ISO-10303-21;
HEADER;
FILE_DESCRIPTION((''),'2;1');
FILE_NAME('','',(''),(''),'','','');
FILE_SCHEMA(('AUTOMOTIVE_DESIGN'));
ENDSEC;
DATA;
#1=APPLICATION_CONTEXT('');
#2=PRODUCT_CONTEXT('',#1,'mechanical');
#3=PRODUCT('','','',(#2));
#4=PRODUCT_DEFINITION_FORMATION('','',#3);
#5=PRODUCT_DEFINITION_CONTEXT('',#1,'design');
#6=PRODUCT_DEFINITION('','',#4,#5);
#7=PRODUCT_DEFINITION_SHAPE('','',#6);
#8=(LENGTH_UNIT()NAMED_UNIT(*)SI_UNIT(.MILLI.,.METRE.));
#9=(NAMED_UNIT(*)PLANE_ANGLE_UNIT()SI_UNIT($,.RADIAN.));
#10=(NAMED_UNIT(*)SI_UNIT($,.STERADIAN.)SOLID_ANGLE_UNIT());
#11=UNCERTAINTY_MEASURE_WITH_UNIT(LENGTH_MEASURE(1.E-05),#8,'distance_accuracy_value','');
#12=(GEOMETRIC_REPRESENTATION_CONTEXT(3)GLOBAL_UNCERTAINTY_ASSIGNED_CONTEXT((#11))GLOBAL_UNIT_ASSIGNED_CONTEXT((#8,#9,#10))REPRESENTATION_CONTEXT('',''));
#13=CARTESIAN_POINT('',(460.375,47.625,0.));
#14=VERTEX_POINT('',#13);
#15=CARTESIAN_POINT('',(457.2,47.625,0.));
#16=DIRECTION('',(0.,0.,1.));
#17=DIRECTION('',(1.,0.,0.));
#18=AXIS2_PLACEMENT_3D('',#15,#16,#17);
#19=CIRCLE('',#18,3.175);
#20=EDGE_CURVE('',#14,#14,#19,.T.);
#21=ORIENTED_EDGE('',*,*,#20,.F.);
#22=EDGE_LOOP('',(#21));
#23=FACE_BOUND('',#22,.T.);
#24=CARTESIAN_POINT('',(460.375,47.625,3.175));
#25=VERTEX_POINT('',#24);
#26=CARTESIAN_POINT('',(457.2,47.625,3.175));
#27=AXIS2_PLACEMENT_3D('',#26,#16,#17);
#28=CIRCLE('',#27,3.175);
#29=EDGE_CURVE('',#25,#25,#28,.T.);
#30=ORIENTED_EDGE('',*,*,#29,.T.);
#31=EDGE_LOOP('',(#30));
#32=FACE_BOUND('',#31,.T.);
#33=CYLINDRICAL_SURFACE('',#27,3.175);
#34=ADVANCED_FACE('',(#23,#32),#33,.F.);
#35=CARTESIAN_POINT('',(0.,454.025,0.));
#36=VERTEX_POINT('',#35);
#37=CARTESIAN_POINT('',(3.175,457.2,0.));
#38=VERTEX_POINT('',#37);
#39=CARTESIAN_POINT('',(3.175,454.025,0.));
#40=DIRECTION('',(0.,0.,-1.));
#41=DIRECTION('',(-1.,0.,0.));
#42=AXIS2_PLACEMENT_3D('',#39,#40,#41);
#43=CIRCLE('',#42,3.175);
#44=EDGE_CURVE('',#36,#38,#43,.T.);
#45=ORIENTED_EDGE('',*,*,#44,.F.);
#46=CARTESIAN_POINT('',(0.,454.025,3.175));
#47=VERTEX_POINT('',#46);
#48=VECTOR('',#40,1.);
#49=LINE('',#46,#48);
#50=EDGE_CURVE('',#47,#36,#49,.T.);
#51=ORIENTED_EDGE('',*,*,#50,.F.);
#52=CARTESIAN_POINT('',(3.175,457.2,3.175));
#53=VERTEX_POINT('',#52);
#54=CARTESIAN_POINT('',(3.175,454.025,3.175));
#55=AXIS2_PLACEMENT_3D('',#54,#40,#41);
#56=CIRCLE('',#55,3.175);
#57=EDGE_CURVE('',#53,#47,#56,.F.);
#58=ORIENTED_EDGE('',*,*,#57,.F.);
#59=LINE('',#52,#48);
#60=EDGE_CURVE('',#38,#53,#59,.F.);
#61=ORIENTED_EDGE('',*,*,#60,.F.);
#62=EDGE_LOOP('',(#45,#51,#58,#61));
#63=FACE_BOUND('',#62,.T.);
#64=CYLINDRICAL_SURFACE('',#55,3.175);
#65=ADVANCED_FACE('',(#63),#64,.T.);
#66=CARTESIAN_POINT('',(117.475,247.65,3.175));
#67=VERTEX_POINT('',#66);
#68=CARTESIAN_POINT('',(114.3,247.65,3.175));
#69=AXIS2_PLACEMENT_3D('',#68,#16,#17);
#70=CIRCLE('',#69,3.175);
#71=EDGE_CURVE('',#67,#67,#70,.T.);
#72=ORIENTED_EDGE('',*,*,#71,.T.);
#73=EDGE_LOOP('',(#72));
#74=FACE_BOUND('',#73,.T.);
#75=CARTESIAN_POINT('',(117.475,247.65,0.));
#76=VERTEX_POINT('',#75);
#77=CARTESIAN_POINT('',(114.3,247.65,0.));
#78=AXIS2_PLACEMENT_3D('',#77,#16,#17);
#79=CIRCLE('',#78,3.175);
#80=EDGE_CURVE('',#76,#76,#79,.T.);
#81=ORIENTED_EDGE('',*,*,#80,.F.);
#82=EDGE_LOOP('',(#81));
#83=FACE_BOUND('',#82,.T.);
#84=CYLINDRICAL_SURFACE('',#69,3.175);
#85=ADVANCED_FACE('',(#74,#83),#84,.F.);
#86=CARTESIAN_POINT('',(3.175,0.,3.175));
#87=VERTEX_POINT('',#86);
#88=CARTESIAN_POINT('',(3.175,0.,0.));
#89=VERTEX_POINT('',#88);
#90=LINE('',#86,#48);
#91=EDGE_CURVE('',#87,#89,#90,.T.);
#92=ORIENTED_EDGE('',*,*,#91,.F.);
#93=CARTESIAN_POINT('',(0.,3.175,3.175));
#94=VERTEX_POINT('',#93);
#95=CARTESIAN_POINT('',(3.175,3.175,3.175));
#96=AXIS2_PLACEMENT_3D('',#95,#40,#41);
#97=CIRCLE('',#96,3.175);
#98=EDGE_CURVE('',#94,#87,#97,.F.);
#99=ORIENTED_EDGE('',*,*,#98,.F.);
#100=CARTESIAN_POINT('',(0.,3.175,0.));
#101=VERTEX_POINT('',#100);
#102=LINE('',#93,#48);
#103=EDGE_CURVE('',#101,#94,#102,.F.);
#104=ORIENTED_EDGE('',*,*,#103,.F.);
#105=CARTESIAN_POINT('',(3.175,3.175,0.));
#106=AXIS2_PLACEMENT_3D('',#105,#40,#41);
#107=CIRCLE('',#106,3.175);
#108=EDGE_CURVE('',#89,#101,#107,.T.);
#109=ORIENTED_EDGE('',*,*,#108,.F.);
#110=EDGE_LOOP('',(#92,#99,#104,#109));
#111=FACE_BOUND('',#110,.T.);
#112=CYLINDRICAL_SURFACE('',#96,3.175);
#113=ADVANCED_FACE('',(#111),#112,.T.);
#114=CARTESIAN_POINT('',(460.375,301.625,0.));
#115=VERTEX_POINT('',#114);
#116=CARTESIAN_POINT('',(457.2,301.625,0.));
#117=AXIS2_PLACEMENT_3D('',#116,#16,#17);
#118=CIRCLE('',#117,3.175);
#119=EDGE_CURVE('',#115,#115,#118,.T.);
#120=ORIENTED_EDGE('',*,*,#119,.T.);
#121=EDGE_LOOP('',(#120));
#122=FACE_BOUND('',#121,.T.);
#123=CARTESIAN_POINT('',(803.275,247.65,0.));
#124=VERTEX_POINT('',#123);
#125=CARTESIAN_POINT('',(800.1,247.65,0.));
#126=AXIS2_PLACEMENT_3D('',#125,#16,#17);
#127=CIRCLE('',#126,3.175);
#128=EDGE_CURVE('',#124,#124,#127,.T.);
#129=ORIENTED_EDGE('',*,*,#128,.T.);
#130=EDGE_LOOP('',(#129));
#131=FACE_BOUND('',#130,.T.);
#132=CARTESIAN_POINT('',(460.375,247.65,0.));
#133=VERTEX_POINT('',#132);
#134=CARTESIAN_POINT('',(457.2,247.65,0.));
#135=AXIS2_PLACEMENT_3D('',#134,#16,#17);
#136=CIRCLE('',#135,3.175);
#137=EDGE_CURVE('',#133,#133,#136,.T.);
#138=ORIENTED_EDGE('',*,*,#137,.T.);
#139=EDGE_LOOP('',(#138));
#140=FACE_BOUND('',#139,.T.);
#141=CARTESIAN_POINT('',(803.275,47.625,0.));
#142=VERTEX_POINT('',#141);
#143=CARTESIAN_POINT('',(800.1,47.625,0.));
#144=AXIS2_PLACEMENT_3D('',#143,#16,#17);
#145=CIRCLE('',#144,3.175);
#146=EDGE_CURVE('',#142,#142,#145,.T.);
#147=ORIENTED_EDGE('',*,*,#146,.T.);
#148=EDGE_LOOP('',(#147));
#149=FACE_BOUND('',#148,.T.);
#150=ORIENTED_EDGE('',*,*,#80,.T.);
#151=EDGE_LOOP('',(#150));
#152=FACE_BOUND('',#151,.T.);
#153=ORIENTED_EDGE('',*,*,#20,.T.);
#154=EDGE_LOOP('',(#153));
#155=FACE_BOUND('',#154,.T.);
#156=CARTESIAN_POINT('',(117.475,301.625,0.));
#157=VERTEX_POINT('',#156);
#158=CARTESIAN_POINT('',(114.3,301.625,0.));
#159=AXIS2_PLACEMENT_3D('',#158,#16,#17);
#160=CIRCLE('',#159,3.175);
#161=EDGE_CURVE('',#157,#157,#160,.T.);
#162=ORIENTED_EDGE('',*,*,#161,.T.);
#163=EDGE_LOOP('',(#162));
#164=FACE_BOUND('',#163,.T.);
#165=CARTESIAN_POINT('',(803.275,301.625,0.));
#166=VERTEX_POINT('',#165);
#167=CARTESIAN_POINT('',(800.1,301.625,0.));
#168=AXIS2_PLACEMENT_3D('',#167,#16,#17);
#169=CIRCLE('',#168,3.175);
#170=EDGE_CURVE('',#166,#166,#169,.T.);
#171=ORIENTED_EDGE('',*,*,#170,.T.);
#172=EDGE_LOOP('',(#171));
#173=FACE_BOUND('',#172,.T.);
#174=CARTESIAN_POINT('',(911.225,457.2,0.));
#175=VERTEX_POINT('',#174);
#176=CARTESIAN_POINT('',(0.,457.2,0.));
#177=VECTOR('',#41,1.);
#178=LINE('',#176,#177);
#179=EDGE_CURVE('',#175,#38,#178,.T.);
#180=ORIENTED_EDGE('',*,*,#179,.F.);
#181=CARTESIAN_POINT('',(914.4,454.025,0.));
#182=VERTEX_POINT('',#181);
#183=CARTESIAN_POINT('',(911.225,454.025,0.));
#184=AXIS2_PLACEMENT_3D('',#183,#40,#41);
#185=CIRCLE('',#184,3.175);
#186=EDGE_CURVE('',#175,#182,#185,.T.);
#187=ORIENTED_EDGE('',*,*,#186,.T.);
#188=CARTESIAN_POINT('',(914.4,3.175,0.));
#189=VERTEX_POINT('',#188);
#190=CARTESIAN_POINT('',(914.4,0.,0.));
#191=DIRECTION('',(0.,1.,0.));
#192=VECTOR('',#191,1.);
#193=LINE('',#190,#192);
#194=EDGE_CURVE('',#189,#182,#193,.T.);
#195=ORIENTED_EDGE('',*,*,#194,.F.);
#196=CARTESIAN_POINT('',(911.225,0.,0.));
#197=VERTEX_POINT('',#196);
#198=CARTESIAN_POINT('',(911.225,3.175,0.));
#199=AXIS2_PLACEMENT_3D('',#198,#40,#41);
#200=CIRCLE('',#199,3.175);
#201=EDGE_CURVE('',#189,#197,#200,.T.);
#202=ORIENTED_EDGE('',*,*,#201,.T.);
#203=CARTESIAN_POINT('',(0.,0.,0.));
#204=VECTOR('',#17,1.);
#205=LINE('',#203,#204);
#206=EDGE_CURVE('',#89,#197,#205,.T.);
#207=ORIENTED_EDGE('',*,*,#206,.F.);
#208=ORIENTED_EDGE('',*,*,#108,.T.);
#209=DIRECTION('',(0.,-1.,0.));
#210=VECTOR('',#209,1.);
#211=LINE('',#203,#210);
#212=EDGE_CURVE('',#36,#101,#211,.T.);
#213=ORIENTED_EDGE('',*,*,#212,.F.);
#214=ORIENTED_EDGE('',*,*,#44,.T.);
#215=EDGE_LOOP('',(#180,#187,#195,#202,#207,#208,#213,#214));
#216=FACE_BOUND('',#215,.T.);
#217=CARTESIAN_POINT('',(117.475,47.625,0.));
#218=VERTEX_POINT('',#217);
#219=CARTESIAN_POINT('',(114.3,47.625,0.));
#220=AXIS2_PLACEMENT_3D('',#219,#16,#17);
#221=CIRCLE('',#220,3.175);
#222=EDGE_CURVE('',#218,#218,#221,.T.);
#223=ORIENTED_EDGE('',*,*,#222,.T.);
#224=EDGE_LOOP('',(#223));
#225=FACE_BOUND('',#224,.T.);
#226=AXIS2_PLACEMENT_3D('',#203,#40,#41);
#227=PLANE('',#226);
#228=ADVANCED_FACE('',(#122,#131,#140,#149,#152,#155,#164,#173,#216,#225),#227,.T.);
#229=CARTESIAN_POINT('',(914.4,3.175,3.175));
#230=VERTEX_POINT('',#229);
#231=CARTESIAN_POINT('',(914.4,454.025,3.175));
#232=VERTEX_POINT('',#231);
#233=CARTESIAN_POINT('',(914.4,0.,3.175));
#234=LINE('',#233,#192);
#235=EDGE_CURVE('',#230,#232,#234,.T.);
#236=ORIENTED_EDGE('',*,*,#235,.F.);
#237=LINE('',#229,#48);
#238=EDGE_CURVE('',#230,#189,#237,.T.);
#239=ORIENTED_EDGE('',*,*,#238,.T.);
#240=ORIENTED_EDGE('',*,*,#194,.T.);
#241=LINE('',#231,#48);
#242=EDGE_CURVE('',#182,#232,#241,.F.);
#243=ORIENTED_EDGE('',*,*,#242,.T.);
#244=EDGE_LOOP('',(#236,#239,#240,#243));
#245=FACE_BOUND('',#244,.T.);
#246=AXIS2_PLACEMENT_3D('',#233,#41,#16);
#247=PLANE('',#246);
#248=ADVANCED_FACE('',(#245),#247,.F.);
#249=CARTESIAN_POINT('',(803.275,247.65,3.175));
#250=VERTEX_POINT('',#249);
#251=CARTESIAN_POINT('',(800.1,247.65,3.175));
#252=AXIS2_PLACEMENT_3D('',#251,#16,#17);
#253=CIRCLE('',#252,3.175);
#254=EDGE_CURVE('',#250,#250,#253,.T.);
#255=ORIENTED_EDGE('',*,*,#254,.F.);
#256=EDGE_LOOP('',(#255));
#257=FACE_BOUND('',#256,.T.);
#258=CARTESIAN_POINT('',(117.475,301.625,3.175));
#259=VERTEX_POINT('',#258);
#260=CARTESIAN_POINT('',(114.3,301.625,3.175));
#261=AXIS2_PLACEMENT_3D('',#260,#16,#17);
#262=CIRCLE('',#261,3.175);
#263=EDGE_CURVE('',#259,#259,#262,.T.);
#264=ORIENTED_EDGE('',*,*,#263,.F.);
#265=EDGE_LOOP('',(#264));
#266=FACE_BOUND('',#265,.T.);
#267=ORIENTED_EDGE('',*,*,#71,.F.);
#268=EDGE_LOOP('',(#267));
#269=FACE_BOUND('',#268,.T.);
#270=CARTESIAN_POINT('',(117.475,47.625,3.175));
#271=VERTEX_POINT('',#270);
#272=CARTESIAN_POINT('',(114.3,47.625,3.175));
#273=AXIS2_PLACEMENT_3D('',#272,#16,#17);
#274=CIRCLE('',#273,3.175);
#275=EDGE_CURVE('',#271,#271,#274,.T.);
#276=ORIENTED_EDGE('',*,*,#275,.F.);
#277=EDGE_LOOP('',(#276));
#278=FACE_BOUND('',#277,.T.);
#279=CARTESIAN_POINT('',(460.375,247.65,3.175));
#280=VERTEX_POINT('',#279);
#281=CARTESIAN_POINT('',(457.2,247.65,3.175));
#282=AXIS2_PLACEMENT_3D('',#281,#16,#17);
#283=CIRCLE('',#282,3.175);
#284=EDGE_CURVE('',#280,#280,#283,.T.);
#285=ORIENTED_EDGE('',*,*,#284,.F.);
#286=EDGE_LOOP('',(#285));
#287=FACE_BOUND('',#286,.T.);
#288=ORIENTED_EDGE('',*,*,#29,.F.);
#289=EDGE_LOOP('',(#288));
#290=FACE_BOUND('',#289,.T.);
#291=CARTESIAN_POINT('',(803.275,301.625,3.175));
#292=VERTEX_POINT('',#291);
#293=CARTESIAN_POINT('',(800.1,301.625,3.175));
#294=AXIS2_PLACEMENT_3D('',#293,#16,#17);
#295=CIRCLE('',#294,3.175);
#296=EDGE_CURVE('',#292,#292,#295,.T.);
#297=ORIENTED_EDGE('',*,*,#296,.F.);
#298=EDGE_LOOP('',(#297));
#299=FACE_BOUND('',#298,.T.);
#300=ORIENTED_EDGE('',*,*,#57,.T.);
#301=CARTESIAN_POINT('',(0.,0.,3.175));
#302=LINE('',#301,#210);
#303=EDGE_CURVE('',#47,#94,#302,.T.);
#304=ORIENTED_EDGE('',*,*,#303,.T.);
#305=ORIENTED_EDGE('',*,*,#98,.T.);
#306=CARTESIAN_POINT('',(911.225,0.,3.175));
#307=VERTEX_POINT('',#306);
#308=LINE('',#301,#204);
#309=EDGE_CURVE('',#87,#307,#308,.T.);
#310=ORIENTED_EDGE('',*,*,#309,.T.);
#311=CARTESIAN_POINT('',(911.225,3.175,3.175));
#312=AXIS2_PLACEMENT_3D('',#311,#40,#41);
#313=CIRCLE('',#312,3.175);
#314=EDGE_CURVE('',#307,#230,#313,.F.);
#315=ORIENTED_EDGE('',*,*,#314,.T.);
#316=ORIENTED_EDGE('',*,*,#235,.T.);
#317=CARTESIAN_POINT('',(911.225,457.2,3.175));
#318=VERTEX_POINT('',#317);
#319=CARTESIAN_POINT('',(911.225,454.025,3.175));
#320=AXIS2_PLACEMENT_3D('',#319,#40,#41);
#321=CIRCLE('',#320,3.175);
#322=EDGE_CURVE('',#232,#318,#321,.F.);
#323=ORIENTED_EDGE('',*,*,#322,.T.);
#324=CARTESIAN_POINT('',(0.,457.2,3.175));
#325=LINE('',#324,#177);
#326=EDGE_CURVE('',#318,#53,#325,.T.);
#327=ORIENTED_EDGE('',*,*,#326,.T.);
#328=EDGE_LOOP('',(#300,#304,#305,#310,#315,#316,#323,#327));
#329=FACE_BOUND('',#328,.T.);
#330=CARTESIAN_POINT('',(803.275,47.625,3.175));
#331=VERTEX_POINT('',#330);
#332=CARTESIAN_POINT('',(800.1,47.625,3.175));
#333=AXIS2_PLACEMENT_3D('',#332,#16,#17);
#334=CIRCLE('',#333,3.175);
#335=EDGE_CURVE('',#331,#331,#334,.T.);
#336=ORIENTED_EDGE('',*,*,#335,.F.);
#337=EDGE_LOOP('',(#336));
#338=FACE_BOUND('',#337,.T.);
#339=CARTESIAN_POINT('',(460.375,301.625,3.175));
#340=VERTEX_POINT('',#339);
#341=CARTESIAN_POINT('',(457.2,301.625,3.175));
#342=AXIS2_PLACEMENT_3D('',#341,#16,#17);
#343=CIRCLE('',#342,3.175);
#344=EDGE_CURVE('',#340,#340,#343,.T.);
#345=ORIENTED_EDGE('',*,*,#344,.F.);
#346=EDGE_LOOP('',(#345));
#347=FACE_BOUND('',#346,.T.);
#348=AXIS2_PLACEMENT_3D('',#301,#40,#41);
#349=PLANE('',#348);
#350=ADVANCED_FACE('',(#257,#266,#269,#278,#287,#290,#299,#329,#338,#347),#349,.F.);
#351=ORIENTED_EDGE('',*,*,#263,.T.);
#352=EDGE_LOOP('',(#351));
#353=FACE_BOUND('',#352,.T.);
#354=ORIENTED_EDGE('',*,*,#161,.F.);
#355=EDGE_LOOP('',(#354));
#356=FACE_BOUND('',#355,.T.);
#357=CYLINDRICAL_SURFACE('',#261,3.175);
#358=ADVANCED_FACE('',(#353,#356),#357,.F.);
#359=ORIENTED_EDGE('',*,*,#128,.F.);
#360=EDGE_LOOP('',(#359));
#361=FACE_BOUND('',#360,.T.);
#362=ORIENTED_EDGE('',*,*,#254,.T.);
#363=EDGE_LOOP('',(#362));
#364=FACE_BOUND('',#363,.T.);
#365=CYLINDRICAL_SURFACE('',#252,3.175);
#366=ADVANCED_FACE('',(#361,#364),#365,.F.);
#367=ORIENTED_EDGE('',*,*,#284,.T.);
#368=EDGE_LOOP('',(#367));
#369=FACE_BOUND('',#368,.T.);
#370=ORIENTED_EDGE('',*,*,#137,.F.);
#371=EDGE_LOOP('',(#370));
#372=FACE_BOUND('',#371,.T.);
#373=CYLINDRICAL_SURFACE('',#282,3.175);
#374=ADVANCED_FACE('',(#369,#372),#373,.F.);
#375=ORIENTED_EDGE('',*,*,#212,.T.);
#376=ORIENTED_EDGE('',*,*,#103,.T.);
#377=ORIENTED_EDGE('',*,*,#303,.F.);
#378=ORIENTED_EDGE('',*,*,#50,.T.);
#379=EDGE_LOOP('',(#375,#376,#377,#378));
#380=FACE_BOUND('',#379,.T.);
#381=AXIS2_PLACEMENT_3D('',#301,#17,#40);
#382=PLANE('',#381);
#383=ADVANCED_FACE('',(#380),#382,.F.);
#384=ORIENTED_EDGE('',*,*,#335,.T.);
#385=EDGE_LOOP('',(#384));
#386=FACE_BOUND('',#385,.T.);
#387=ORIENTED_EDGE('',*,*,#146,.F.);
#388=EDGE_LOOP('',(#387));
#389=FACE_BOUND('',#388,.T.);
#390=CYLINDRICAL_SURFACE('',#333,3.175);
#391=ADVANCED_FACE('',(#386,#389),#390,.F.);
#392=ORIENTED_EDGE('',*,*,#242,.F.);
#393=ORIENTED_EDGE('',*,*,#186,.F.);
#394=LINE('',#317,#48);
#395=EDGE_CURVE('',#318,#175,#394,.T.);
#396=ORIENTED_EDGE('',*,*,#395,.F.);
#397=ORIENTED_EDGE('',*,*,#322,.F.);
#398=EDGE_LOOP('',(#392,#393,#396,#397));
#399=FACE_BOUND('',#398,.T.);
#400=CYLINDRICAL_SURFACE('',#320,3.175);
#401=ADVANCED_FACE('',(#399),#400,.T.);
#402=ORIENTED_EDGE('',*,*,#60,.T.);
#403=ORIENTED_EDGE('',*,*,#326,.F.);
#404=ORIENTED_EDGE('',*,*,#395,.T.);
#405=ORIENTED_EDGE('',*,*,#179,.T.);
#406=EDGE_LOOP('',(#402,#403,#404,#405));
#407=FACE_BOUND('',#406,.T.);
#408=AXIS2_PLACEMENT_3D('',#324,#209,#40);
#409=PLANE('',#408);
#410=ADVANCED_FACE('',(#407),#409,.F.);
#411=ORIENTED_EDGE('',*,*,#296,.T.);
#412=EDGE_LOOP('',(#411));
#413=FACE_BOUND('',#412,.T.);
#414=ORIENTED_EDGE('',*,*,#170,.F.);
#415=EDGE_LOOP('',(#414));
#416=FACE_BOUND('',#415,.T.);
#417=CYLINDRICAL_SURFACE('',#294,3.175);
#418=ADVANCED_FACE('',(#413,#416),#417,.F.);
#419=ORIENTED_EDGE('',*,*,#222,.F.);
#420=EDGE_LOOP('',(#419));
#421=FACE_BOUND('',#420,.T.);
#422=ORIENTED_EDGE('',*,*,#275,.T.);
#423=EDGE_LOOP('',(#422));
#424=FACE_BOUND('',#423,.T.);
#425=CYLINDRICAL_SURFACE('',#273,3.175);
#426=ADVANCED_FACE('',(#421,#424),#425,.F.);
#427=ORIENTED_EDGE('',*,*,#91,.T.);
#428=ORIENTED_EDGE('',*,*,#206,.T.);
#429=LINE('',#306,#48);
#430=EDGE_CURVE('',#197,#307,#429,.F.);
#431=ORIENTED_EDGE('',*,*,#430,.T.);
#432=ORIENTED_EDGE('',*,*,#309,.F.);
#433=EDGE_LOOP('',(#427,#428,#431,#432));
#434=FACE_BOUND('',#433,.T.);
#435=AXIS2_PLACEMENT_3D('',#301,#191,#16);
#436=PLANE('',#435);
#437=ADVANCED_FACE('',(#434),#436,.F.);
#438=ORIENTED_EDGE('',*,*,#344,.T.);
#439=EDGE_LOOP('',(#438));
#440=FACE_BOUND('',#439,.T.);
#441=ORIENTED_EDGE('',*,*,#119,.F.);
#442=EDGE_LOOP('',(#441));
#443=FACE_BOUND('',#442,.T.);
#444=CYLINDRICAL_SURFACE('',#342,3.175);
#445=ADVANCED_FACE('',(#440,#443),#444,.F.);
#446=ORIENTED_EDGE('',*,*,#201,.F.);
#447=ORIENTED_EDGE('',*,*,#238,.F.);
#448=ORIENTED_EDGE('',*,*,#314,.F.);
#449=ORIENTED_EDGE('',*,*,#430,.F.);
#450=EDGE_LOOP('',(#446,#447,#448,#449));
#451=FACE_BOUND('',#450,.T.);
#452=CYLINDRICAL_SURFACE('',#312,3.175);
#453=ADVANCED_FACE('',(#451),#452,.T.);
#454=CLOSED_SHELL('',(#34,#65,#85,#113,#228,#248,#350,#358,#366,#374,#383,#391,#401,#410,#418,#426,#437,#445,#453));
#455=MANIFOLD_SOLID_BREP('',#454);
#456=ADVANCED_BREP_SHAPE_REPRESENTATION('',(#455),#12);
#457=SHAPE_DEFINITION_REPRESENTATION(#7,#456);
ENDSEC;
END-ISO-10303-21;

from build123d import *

# Parameters (mm, degrees)
SKETCH1_W                   = 914.4
SKETCH1_H                   = 457.2
BOSS_EXTRUDE1_DEPTH         = 3.175
F_1_4_0_25_DIAMETER_HOLE1_D = 6.35
FILLET1_R                   = 3.175


with BuildPart() as part:
    # Sketch1 → Boss-Extrude1 (new body)
    with BuildSketch(Plane.XY):
        with Locations((457.2, 228.6)):
            Rectangle(SKETCH1_W, SKETCH1_H)
    extrude(amount=BOSS_EXTRUDE1_DEPTH)

    # 1/4 (0.25) Diameter Hole1 (through all)
    with Locations(Plane.XY.offset(3.175)):
        with Locations((114.3, 247.65), (114.3, 301.625), (457.2, 301.625), (457.2, 247.65), (800.1, 247.65), (800.1, 301.625), (114.3, 47.625), (457.2, 47.625), (800.1, 47.625)):
            Hole(F_1_4_0_25_DIAMETER_HOLE1_D / 2)

    # Fillet1
    fillet1_edges = [part.edges().sort_by_distance(p)[0] for p in [
        (0, 457.2, 1.5875),
        (914.4, 457.2, 1.5875),
        (914.4, 0, 1.5875),
        (0, 0, 1.5875),
    ]]
    fillet(fillet1_edges, radius=FILLET1_R)


solid = part.part
